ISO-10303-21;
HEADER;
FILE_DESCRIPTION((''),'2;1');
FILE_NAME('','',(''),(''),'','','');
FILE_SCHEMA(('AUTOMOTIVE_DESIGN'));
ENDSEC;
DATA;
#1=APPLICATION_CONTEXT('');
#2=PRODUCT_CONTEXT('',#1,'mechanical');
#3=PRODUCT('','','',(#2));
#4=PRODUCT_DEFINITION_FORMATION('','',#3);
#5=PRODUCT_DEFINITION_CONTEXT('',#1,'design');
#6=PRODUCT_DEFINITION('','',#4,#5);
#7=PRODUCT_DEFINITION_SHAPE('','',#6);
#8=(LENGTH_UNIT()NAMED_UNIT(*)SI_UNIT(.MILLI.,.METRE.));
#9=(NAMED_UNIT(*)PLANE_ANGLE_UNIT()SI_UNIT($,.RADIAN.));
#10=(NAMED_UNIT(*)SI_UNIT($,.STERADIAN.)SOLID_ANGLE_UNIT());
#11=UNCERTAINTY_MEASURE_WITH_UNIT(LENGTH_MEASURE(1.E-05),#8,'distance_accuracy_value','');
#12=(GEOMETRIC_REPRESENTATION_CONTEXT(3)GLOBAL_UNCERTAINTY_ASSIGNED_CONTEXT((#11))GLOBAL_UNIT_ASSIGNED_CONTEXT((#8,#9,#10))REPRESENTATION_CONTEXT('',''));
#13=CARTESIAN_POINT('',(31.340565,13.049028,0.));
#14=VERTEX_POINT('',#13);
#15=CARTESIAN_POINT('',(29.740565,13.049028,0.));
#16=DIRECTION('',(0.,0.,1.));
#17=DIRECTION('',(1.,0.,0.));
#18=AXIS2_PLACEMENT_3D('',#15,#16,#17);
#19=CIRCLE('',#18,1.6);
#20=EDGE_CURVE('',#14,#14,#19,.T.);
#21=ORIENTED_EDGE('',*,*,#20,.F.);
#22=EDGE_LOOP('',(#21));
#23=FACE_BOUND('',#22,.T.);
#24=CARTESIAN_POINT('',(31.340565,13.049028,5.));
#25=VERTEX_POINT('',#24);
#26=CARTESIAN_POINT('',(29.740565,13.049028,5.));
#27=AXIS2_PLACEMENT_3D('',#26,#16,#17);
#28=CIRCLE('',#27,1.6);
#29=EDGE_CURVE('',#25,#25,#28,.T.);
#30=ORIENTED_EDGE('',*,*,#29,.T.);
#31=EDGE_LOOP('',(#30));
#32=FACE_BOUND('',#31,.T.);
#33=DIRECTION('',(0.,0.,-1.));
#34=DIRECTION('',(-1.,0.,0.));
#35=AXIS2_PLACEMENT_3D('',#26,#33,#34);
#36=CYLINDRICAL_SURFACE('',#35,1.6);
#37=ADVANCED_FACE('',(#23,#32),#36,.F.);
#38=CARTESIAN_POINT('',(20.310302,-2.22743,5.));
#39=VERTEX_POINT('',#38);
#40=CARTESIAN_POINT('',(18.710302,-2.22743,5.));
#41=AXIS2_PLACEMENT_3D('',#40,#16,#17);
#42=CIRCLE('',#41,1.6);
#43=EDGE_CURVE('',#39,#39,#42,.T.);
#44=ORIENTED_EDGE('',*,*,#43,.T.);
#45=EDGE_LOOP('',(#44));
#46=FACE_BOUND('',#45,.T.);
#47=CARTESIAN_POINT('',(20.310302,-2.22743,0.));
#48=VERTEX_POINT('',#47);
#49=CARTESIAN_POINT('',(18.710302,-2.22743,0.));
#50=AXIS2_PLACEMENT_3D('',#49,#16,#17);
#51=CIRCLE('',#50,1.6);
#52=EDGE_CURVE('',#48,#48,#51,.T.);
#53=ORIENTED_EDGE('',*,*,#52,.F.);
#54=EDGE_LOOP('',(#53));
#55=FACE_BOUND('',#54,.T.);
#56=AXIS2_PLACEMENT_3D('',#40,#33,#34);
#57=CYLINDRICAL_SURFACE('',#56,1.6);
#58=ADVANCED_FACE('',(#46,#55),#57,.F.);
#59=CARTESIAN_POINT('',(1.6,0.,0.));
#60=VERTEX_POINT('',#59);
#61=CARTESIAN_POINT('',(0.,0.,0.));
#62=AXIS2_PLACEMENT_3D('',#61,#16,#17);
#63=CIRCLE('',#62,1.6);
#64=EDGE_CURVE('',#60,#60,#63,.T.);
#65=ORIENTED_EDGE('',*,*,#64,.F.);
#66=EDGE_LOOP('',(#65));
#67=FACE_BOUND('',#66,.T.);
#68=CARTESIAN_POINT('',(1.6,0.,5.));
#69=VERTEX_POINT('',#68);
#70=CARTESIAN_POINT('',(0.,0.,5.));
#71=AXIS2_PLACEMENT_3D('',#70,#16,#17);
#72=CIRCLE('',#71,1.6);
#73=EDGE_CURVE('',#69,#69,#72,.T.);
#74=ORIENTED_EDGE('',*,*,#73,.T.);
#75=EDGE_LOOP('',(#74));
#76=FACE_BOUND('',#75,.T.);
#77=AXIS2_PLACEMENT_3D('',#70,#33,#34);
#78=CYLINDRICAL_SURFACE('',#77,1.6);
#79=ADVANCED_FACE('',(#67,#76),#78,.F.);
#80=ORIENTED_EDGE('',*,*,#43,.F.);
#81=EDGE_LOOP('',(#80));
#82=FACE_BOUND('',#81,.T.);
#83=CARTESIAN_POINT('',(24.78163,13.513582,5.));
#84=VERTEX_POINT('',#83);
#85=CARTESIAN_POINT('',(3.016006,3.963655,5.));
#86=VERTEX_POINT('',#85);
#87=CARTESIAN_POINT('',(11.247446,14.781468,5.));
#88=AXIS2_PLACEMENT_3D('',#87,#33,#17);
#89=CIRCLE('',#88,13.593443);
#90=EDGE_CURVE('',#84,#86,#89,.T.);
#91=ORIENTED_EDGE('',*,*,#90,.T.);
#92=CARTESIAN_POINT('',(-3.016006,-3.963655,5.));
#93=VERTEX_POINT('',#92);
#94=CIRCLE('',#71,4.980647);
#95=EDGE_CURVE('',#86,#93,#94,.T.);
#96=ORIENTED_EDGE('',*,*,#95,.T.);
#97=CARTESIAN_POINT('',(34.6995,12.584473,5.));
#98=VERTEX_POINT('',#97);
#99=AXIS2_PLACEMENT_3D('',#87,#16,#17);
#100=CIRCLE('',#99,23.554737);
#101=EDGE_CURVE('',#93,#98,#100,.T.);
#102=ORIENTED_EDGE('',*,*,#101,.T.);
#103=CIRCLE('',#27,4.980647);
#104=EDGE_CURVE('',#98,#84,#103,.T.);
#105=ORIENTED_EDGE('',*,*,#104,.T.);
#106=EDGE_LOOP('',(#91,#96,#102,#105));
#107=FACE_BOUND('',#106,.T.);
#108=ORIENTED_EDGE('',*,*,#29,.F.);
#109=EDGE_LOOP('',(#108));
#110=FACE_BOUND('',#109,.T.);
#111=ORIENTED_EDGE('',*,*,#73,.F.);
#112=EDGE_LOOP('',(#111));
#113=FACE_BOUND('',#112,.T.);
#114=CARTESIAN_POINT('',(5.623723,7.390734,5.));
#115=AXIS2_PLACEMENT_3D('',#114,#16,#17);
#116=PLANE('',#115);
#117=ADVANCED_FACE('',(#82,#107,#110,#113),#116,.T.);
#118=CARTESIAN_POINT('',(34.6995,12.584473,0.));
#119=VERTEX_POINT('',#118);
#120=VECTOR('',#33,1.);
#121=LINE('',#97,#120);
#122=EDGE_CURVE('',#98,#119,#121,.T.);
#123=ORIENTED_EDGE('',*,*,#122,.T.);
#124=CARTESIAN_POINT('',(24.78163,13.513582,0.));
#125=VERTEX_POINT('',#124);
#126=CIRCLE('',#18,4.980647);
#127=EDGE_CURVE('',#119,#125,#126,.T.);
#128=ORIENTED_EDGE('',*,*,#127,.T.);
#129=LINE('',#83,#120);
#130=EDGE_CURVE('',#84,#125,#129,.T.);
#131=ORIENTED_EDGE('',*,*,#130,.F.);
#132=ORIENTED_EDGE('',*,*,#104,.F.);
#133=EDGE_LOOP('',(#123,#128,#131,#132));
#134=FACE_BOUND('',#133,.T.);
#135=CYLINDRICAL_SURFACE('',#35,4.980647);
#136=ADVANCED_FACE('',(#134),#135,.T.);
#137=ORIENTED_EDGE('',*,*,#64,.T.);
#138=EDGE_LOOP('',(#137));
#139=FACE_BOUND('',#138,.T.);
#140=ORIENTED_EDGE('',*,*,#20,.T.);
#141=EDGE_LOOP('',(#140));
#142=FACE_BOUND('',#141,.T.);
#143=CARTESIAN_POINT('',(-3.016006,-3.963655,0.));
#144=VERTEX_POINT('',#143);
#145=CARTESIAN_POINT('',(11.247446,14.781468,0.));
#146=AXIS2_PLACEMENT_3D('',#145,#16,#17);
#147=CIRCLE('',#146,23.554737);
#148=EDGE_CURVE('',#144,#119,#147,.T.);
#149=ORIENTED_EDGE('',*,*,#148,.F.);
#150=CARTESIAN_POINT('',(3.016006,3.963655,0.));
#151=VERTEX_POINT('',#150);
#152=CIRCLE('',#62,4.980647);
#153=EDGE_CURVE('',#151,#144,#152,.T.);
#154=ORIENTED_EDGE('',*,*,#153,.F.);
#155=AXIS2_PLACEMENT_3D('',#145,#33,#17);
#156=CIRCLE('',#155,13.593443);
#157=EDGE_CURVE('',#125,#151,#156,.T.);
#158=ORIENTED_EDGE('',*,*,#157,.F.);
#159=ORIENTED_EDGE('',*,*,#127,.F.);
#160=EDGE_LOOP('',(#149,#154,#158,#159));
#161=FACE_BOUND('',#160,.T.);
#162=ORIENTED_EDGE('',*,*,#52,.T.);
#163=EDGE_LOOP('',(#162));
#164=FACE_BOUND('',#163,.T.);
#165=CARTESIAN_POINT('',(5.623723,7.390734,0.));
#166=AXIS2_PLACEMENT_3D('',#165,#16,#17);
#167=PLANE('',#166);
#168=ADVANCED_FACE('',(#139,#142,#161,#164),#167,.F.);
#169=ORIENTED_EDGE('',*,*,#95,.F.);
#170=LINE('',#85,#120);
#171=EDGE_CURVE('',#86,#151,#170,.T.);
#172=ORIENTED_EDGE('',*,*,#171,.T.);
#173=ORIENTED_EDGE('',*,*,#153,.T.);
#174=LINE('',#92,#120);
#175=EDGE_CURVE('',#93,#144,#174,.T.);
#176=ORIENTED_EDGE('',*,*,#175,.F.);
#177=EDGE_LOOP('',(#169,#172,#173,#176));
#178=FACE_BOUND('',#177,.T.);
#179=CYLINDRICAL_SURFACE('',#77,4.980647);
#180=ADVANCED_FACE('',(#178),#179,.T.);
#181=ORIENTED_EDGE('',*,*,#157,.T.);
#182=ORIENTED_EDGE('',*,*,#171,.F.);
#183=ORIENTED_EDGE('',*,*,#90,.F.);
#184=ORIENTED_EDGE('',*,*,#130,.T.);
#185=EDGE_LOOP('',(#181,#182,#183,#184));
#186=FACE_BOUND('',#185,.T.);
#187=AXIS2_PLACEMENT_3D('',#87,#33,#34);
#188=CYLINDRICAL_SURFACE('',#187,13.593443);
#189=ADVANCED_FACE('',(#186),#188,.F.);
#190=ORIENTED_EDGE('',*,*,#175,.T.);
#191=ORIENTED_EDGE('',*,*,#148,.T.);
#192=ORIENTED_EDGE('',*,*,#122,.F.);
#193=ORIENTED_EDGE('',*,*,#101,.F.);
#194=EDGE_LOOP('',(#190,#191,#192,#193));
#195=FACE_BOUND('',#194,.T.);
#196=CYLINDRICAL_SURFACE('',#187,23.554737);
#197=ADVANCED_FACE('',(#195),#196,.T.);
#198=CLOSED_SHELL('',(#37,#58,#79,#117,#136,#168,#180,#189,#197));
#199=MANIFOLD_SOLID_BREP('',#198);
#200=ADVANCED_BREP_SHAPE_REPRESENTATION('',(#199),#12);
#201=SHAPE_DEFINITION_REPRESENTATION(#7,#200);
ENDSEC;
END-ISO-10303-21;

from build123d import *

# Parameters (mm, degrees)
SKETCH_1_R      = 1.6
EXTRUDE_1_DEPTH = 5


with BuildPart() as part:
    # 草图1 → 凸台-拉伸1 (new body)
    with BuildSketch(Plane.XY):
        with BuildLine():
            ThreePointArc((-3.016005594, -3.963654581), (20.711469165, -6.788370191), (34.699500163, 12.584473316))
            ThreePointArc((34.699500163, 12.584473316), (30.205119406, 18.007962633), (24.781630088, 13.513581877))
            ThreePointArc((24.781630088, 13.513581877), (16.709135129, 2.333510745), (3.016005594, 3.963654581))
            ThreePointArc((3.016005594, 3.963654581), (-3.963654581, 3.016005594), (-3.016005594, -3.963654581))
        make_face()
        Circle(SKETCH_1_R, mode=Mode.SUBTRACT)
        with Locations((29.740565125, 13.049027596)):
            Circle(SKETCH_1_R, mode=Mode.SUBTRACT)
        with Locations((18.710302147, -2.227429723)):
            Circle(SKETCH_1_R, mode=Mode.SUBTRACT)
    extrude(amount=EXTRUDE_1_DEPTH)


solid = part.part
